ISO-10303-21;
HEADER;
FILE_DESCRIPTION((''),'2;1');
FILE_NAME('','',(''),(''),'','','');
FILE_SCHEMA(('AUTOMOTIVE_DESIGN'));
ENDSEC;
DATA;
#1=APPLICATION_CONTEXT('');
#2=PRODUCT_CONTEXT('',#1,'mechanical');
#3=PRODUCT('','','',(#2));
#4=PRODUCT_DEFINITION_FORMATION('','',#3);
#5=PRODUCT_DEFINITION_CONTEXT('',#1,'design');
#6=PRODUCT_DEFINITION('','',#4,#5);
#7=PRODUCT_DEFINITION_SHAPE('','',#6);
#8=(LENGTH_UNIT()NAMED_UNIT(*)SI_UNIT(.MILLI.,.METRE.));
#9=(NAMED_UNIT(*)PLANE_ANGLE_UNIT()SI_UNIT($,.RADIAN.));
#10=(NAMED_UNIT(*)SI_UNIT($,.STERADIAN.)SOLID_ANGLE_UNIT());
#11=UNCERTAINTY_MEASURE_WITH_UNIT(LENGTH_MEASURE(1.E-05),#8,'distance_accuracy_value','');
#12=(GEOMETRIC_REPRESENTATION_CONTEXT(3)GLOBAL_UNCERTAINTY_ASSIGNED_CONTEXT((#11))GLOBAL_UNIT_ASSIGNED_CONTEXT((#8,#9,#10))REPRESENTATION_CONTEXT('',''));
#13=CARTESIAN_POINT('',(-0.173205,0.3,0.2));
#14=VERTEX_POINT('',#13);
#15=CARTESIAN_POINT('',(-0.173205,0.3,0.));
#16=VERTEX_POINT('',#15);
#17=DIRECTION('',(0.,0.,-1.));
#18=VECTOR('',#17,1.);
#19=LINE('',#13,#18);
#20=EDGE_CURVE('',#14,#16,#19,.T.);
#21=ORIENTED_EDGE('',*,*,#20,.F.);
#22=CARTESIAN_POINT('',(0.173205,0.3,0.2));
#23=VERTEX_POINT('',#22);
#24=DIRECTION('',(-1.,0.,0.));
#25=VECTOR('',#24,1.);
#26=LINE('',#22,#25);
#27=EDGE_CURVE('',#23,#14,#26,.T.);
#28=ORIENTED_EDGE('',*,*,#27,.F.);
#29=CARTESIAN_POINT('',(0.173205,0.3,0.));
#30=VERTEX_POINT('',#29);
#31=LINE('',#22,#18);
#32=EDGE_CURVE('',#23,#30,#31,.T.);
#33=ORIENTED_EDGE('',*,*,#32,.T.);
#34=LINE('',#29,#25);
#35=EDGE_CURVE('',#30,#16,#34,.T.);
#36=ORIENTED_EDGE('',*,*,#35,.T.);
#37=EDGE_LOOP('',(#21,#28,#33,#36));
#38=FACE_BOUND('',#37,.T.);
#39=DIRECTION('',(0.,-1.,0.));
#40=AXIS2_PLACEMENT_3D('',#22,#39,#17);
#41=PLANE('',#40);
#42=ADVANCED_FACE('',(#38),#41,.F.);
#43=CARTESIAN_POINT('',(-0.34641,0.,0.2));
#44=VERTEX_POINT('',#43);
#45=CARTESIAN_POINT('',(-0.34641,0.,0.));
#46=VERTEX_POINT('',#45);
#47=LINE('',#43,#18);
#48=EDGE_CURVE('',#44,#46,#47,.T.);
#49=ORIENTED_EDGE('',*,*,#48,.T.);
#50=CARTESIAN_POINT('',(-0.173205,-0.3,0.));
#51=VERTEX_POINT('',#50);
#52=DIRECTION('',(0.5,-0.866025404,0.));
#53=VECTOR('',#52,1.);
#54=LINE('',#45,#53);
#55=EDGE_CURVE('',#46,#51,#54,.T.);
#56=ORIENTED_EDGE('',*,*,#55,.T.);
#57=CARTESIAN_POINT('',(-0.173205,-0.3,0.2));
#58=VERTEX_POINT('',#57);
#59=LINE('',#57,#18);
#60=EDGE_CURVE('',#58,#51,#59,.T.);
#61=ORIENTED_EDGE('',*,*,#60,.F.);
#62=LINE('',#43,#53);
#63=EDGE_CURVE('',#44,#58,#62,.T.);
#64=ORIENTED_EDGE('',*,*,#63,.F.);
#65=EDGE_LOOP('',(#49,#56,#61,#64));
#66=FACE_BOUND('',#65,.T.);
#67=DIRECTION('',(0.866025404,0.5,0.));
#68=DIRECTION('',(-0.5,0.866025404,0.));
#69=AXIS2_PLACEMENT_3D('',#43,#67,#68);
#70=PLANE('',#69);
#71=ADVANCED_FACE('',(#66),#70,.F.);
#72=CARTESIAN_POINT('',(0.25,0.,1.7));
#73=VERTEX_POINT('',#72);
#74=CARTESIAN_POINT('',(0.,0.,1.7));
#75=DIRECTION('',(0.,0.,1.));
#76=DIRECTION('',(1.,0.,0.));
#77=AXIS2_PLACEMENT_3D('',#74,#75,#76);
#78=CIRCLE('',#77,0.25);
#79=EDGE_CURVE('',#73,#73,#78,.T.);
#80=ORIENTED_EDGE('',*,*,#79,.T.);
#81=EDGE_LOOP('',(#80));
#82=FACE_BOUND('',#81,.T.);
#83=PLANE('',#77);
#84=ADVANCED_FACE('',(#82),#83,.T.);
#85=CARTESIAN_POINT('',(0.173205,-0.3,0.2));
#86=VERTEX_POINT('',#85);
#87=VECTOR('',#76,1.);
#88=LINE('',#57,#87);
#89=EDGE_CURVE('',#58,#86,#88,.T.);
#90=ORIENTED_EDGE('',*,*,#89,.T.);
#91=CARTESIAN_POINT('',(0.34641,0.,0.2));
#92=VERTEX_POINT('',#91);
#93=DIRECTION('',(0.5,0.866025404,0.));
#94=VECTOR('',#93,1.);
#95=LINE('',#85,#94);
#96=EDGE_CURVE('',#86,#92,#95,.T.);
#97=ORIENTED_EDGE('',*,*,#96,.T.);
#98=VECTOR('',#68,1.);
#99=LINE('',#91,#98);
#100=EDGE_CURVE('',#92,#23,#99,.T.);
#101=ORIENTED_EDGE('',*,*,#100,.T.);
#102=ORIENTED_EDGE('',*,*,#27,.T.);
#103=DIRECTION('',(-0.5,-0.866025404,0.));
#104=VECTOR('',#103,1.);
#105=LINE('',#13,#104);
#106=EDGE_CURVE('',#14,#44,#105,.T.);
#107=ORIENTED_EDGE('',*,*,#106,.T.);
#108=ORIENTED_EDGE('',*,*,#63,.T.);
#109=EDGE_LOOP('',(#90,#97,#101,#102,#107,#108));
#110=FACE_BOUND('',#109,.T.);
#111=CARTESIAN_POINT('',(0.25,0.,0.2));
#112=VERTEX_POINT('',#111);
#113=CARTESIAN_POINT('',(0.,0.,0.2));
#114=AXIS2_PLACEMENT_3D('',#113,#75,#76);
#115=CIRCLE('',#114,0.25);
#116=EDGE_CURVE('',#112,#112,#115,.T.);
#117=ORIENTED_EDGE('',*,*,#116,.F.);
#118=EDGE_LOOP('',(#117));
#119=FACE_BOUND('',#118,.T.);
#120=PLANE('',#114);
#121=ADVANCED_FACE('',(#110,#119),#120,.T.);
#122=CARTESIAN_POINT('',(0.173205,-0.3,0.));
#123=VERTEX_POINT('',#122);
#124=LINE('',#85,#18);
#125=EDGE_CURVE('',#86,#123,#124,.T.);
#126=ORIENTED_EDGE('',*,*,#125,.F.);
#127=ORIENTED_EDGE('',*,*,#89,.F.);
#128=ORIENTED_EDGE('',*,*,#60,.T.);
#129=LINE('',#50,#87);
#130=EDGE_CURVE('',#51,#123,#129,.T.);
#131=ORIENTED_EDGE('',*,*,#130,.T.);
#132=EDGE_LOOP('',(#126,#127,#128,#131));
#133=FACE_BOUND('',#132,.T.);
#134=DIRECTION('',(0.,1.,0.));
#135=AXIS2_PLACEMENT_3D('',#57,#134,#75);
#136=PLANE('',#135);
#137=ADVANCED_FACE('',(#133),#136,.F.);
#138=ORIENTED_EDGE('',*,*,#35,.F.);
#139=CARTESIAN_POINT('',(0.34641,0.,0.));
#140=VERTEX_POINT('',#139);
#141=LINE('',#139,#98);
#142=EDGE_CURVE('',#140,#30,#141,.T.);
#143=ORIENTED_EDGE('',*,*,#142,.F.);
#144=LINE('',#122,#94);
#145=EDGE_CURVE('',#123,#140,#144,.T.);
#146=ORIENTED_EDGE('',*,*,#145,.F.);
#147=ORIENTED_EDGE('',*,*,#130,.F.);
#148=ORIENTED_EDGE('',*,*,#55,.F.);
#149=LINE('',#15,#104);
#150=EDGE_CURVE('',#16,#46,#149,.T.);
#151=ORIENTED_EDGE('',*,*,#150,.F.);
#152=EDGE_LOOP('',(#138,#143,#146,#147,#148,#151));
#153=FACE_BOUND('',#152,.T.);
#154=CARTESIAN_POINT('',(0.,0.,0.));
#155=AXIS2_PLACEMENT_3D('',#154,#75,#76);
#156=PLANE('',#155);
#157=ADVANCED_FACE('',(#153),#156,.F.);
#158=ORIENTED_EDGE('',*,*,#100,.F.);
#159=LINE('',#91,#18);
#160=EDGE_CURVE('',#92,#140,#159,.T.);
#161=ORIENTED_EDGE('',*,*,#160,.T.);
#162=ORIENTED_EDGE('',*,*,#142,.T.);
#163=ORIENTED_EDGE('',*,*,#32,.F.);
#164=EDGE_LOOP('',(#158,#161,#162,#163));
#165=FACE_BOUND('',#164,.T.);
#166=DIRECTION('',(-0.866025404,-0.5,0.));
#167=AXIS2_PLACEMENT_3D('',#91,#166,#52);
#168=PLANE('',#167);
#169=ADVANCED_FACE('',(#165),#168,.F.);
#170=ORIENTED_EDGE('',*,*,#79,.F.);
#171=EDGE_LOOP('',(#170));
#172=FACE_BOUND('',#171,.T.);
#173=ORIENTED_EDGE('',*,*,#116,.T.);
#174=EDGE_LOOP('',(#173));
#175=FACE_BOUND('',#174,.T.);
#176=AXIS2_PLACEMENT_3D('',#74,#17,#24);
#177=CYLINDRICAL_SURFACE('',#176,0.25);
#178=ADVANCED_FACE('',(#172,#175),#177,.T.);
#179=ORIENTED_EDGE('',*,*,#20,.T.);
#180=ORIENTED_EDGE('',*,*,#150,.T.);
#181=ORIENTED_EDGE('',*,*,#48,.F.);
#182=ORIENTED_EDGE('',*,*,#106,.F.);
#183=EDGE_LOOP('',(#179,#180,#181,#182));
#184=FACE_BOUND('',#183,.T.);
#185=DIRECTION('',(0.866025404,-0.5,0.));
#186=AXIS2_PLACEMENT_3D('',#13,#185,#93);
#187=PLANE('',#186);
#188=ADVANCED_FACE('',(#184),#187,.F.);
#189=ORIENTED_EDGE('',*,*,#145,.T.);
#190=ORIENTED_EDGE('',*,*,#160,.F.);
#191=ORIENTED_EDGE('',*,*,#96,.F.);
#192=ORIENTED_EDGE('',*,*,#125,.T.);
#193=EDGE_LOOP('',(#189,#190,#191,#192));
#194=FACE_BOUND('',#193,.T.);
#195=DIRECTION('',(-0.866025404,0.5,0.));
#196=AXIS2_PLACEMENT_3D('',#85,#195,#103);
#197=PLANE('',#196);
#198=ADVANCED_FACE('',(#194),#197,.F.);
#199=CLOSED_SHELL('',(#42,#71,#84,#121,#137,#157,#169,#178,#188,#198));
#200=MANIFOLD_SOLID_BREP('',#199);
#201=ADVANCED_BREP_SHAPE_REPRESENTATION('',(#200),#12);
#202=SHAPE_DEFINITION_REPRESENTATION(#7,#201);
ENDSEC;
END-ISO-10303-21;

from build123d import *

# Parameters (mm, degrees)
BOSS_EXTRUDE1_DEPTH = 0.2
SKETCH2_R           = 0.25
BOSS_EXTRUDE2_DEPTH = 1.5


with BuildPart() as part:
    # Sketch1 → Boss-Extrude1 (new body)
    with BuildSketch(Plane.XY):
        Polygon((0.173205081, 0.3), (-0.173205081, 0.3), (-0.346410162, 0), (-0.173205081, -0.3), (0.173205081, -0.3), (0.346410162, 0), align=None)
    extrude(amount=BOSS_EXTRUDE1_DEPTH)

    # Sketch2 → Boss-Extrude2 (add)
    with BuildSketch(Plane.XY.offset(0.2)):
        Circle(SKETCH2_R)
    extrude(amount=BOSS_EXTRUDE2_DEPTH)


solid = part.part
